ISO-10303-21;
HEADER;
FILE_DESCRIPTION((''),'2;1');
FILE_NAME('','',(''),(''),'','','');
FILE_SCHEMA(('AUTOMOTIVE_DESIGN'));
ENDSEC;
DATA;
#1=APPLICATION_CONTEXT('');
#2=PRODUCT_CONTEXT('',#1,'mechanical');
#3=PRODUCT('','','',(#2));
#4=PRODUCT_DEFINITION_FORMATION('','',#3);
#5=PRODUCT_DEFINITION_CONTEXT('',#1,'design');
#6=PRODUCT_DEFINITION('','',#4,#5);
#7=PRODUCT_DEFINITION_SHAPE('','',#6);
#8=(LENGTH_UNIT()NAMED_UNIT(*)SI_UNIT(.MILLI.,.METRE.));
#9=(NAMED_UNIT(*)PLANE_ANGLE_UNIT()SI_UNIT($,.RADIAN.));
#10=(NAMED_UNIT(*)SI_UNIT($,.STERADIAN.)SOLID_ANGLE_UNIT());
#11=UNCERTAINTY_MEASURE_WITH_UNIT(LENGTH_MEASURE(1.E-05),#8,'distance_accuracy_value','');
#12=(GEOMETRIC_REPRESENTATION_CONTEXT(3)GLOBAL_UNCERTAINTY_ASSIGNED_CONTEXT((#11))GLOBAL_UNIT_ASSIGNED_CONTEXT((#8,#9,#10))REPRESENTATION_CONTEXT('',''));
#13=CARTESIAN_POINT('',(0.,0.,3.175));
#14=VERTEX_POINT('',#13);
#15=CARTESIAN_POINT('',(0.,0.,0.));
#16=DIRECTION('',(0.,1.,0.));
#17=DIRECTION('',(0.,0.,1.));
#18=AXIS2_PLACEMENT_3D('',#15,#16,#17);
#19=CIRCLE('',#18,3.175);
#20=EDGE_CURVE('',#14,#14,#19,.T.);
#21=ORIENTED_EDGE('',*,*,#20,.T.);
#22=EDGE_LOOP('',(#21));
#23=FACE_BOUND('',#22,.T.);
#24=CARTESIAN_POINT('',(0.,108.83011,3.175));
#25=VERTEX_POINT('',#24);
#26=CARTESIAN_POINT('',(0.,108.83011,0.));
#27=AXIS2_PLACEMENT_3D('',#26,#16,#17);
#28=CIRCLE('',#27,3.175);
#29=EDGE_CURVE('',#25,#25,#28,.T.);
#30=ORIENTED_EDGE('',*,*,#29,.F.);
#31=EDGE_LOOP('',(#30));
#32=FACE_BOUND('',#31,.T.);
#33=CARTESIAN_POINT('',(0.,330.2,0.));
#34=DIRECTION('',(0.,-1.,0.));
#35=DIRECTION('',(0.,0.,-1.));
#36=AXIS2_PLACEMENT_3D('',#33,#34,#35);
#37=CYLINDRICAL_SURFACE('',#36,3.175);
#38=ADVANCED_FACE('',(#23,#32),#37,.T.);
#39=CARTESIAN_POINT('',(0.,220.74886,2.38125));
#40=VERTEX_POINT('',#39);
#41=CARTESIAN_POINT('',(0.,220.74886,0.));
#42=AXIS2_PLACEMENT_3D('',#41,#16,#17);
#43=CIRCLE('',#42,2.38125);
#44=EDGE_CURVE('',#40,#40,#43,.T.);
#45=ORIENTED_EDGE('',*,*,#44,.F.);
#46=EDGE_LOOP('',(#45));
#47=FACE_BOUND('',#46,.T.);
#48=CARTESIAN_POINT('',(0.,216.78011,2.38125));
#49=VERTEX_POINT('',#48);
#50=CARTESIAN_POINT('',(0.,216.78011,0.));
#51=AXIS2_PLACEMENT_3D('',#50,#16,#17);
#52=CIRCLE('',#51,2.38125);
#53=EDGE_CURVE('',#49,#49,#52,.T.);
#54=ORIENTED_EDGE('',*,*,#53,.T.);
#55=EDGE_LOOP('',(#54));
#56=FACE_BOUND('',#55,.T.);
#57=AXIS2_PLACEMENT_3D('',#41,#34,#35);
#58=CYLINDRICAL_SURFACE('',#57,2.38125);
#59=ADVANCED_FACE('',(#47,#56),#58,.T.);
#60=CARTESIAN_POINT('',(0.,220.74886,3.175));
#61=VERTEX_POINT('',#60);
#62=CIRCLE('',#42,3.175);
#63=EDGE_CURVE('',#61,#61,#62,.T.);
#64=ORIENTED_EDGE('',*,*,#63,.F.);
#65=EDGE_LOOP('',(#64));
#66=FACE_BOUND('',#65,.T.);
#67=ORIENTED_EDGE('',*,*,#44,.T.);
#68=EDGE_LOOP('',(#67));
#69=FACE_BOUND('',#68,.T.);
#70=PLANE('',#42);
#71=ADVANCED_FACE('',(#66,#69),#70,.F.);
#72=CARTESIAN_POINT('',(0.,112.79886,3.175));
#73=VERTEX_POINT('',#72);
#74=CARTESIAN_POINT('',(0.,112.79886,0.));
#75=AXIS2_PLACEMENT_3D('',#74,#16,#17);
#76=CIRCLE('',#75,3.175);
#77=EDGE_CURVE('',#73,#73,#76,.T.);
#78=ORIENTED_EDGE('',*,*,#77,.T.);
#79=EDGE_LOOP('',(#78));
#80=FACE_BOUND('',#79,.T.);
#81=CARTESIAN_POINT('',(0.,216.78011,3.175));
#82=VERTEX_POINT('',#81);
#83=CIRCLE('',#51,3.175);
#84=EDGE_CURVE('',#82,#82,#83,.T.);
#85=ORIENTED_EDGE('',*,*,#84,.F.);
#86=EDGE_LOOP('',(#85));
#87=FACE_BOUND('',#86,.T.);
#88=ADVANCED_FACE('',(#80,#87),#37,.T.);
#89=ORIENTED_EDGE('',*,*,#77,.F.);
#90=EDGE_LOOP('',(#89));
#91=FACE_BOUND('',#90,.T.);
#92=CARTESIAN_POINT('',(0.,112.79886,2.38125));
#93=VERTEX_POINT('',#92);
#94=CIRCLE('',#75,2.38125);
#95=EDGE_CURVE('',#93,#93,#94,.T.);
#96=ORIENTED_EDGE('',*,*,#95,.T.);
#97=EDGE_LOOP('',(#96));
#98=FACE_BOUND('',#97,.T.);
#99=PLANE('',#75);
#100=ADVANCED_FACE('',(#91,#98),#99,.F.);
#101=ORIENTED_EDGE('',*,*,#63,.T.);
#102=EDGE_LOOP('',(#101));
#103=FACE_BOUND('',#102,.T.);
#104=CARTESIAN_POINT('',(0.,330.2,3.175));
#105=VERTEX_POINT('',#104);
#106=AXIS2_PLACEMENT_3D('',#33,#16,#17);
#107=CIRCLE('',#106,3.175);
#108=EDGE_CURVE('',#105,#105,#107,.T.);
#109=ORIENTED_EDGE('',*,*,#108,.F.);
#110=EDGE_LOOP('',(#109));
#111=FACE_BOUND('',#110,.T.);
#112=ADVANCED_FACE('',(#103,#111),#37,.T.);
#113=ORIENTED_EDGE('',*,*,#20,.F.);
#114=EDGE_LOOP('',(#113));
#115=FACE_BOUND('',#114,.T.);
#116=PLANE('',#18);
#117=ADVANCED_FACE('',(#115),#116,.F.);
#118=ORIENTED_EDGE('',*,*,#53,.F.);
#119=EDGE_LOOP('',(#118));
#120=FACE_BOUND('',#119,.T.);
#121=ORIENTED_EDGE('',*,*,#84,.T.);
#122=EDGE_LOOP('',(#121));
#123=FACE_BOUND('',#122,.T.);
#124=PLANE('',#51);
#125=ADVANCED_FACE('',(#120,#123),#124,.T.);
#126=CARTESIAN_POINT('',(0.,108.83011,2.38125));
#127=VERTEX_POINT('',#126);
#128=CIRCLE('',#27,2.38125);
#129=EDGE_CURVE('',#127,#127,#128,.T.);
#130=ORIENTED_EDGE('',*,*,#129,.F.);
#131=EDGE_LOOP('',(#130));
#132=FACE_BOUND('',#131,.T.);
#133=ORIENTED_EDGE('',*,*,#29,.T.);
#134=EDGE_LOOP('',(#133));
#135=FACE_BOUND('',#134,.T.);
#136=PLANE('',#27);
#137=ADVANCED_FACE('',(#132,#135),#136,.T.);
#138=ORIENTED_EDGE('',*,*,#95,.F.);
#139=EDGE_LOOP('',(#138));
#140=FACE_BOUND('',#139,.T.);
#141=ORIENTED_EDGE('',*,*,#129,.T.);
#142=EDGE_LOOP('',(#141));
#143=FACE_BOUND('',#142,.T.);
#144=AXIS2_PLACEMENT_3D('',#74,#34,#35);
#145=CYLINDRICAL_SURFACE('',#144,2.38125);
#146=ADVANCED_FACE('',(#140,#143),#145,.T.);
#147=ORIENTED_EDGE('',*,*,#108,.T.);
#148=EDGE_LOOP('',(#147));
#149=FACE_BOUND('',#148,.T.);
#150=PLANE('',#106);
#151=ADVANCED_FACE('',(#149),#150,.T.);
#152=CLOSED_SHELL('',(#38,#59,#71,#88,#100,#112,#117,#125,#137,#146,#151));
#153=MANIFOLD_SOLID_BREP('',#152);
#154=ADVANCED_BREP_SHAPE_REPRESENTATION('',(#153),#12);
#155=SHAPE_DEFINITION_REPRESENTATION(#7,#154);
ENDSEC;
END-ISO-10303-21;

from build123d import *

# Parameters (mm, degrees)
SKETCH1_R           = 3.175
BOSS_EXTRUDE1_DEPTH = 330.2
SKETCH2_R           = 3.4925
SKETCH2_R_2         = 2.38125
CUT_EXTRUDE1_DEPTH  = 3.96875
LPATTERN1_COUNT     = 2
LPATTERN1_PITCH     = 107.95


with BuildPart() as part:
    # Sketch1 → Boss-Extrude1 (new body)
    with BuildSketch(Plane(origin=(0, 0, 0), x_dir=(1, 0, 0), z_dir=(0, 1, 0))):
        with Locations(Location((0, 0, 0), (0, 0, 270))):  # turned: the seam where the file's is
            Circle(SKETCH1_R)
    extrude(amount=BOSS_EXTRUDE1_DEPTH)

    # Sketch2 → Cut-Extrude1 (cut)
    with BuildSketch(Plane(origin=(0, 108.83011, 0), x_dir=(-1, 0, 0), z_dir=(0, 1, 0))):
        Circle(SKETCH2_R)
        with Locations(Location((0, 0, 0), (0, 0, 90))):  # turned: the seam where the file's is
            Circle(SKETCH2_R_2, mode=Mode.SUBTRACT)
    cut_extrude1 = extrude(amount=CUT_EXTRUDE1_DEPTH, mode=Mode.SUBTRACT)

    # LPattern1: Cut-Extrude1 ×2
    with Locations(*[(0, i * LPATTERN1_PITCH, 0) for i in range(1, LPATTERN1_COUNT)]):
        add(cut_extrude1, mode=Mode.SUBTRACT)


solid = part.part
